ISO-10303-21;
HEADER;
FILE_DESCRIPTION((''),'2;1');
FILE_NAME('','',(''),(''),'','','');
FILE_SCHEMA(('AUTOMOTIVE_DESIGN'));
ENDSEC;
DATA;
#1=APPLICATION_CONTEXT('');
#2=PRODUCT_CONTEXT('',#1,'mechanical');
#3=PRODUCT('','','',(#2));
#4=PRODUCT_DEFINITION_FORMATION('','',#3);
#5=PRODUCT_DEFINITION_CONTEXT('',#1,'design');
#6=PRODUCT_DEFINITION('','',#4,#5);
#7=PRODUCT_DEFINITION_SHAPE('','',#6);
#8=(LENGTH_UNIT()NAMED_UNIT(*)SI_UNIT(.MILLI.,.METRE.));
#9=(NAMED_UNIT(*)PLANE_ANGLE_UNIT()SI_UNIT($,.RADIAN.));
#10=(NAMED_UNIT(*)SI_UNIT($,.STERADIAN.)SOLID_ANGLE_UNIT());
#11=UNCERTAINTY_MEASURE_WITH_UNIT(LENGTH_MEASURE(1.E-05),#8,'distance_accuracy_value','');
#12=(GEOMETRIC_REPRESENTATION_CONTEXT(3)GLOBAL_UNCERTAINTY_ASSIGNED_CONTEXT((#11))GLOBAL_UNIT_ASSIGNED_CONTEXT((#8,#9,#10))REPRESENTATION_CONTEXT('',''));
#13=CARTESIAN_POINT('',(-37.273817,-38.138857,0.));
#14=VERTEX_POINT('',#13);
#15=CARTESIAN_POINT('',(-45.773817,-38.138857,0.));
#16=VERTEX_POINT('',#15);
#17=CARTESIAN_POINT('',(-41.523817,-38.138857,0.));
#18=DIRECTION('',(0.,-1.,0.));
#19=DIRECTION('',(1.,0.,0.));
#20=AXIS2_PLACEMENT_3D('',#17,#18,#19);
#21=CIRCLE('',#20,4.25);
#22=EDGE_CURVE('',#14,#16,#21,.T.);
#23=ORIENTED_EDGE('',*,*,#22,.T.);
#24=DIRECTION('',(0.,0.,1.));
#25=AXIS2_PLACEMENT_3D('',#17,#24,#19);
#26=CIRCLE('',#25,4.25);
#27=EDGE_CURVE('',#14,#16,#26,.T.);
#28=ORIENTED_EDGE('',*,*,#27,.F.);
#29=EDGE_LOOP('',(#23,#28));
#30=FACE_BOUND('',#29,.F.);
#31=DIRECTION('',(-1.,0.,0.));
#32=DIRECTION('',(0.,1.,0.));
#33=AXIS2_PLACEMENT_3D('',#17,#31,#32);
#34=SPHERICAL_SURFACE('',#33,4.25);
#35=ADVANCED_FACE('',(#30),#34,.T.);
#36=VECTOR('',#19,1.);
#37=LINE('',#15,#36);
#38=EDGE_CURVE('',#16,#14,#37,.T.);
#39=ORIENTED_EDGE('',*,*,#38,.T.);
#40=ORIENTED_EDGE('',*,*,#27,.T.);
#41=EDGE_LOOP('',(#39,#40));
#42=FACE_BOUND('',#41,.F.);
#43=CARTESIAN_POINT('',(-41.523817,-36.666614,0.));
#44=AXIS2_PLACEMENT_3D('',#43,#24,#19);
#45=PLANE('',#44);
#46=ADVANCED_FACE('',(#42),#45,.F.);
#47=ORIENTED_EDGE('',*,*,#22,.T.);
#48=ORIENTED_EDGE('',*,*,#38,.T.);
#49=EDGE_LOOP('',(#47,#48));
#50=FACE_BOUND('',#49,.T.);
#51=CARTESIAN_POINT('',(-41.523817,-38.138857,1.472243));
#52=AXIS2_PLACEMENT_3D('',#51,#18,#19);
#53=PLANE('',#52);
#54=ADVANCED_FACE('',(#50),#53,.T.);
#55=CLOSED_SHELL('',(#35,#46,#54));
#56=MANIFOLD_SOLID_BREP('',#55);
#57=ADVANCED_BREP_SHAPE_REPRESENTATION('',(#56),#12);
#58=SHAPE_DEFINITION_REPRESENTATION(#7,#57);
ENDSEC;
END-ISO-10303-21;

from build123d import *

# Parameters (mm, degrees)
F1_ANGLE = 90


with BuildPart() as f1:
    # F0 (on Top) → F1 (revolve)
    with BuildSketch(Plane.XY):
        with BuildLine():
            ThreePointArc((-37.273817, -38.138857), (-41.523817, -33.888857), (-45.773817, -38.138857))
            Line((-45.773817, -38.138857), (-37.273817, -38.138857))
        make_face()
    revolve(axis=Axis((-41.523817, -38.138857, 0), (1, 0, 0)), revolution_arc=F1_ANGLE)


solid = f1.part
